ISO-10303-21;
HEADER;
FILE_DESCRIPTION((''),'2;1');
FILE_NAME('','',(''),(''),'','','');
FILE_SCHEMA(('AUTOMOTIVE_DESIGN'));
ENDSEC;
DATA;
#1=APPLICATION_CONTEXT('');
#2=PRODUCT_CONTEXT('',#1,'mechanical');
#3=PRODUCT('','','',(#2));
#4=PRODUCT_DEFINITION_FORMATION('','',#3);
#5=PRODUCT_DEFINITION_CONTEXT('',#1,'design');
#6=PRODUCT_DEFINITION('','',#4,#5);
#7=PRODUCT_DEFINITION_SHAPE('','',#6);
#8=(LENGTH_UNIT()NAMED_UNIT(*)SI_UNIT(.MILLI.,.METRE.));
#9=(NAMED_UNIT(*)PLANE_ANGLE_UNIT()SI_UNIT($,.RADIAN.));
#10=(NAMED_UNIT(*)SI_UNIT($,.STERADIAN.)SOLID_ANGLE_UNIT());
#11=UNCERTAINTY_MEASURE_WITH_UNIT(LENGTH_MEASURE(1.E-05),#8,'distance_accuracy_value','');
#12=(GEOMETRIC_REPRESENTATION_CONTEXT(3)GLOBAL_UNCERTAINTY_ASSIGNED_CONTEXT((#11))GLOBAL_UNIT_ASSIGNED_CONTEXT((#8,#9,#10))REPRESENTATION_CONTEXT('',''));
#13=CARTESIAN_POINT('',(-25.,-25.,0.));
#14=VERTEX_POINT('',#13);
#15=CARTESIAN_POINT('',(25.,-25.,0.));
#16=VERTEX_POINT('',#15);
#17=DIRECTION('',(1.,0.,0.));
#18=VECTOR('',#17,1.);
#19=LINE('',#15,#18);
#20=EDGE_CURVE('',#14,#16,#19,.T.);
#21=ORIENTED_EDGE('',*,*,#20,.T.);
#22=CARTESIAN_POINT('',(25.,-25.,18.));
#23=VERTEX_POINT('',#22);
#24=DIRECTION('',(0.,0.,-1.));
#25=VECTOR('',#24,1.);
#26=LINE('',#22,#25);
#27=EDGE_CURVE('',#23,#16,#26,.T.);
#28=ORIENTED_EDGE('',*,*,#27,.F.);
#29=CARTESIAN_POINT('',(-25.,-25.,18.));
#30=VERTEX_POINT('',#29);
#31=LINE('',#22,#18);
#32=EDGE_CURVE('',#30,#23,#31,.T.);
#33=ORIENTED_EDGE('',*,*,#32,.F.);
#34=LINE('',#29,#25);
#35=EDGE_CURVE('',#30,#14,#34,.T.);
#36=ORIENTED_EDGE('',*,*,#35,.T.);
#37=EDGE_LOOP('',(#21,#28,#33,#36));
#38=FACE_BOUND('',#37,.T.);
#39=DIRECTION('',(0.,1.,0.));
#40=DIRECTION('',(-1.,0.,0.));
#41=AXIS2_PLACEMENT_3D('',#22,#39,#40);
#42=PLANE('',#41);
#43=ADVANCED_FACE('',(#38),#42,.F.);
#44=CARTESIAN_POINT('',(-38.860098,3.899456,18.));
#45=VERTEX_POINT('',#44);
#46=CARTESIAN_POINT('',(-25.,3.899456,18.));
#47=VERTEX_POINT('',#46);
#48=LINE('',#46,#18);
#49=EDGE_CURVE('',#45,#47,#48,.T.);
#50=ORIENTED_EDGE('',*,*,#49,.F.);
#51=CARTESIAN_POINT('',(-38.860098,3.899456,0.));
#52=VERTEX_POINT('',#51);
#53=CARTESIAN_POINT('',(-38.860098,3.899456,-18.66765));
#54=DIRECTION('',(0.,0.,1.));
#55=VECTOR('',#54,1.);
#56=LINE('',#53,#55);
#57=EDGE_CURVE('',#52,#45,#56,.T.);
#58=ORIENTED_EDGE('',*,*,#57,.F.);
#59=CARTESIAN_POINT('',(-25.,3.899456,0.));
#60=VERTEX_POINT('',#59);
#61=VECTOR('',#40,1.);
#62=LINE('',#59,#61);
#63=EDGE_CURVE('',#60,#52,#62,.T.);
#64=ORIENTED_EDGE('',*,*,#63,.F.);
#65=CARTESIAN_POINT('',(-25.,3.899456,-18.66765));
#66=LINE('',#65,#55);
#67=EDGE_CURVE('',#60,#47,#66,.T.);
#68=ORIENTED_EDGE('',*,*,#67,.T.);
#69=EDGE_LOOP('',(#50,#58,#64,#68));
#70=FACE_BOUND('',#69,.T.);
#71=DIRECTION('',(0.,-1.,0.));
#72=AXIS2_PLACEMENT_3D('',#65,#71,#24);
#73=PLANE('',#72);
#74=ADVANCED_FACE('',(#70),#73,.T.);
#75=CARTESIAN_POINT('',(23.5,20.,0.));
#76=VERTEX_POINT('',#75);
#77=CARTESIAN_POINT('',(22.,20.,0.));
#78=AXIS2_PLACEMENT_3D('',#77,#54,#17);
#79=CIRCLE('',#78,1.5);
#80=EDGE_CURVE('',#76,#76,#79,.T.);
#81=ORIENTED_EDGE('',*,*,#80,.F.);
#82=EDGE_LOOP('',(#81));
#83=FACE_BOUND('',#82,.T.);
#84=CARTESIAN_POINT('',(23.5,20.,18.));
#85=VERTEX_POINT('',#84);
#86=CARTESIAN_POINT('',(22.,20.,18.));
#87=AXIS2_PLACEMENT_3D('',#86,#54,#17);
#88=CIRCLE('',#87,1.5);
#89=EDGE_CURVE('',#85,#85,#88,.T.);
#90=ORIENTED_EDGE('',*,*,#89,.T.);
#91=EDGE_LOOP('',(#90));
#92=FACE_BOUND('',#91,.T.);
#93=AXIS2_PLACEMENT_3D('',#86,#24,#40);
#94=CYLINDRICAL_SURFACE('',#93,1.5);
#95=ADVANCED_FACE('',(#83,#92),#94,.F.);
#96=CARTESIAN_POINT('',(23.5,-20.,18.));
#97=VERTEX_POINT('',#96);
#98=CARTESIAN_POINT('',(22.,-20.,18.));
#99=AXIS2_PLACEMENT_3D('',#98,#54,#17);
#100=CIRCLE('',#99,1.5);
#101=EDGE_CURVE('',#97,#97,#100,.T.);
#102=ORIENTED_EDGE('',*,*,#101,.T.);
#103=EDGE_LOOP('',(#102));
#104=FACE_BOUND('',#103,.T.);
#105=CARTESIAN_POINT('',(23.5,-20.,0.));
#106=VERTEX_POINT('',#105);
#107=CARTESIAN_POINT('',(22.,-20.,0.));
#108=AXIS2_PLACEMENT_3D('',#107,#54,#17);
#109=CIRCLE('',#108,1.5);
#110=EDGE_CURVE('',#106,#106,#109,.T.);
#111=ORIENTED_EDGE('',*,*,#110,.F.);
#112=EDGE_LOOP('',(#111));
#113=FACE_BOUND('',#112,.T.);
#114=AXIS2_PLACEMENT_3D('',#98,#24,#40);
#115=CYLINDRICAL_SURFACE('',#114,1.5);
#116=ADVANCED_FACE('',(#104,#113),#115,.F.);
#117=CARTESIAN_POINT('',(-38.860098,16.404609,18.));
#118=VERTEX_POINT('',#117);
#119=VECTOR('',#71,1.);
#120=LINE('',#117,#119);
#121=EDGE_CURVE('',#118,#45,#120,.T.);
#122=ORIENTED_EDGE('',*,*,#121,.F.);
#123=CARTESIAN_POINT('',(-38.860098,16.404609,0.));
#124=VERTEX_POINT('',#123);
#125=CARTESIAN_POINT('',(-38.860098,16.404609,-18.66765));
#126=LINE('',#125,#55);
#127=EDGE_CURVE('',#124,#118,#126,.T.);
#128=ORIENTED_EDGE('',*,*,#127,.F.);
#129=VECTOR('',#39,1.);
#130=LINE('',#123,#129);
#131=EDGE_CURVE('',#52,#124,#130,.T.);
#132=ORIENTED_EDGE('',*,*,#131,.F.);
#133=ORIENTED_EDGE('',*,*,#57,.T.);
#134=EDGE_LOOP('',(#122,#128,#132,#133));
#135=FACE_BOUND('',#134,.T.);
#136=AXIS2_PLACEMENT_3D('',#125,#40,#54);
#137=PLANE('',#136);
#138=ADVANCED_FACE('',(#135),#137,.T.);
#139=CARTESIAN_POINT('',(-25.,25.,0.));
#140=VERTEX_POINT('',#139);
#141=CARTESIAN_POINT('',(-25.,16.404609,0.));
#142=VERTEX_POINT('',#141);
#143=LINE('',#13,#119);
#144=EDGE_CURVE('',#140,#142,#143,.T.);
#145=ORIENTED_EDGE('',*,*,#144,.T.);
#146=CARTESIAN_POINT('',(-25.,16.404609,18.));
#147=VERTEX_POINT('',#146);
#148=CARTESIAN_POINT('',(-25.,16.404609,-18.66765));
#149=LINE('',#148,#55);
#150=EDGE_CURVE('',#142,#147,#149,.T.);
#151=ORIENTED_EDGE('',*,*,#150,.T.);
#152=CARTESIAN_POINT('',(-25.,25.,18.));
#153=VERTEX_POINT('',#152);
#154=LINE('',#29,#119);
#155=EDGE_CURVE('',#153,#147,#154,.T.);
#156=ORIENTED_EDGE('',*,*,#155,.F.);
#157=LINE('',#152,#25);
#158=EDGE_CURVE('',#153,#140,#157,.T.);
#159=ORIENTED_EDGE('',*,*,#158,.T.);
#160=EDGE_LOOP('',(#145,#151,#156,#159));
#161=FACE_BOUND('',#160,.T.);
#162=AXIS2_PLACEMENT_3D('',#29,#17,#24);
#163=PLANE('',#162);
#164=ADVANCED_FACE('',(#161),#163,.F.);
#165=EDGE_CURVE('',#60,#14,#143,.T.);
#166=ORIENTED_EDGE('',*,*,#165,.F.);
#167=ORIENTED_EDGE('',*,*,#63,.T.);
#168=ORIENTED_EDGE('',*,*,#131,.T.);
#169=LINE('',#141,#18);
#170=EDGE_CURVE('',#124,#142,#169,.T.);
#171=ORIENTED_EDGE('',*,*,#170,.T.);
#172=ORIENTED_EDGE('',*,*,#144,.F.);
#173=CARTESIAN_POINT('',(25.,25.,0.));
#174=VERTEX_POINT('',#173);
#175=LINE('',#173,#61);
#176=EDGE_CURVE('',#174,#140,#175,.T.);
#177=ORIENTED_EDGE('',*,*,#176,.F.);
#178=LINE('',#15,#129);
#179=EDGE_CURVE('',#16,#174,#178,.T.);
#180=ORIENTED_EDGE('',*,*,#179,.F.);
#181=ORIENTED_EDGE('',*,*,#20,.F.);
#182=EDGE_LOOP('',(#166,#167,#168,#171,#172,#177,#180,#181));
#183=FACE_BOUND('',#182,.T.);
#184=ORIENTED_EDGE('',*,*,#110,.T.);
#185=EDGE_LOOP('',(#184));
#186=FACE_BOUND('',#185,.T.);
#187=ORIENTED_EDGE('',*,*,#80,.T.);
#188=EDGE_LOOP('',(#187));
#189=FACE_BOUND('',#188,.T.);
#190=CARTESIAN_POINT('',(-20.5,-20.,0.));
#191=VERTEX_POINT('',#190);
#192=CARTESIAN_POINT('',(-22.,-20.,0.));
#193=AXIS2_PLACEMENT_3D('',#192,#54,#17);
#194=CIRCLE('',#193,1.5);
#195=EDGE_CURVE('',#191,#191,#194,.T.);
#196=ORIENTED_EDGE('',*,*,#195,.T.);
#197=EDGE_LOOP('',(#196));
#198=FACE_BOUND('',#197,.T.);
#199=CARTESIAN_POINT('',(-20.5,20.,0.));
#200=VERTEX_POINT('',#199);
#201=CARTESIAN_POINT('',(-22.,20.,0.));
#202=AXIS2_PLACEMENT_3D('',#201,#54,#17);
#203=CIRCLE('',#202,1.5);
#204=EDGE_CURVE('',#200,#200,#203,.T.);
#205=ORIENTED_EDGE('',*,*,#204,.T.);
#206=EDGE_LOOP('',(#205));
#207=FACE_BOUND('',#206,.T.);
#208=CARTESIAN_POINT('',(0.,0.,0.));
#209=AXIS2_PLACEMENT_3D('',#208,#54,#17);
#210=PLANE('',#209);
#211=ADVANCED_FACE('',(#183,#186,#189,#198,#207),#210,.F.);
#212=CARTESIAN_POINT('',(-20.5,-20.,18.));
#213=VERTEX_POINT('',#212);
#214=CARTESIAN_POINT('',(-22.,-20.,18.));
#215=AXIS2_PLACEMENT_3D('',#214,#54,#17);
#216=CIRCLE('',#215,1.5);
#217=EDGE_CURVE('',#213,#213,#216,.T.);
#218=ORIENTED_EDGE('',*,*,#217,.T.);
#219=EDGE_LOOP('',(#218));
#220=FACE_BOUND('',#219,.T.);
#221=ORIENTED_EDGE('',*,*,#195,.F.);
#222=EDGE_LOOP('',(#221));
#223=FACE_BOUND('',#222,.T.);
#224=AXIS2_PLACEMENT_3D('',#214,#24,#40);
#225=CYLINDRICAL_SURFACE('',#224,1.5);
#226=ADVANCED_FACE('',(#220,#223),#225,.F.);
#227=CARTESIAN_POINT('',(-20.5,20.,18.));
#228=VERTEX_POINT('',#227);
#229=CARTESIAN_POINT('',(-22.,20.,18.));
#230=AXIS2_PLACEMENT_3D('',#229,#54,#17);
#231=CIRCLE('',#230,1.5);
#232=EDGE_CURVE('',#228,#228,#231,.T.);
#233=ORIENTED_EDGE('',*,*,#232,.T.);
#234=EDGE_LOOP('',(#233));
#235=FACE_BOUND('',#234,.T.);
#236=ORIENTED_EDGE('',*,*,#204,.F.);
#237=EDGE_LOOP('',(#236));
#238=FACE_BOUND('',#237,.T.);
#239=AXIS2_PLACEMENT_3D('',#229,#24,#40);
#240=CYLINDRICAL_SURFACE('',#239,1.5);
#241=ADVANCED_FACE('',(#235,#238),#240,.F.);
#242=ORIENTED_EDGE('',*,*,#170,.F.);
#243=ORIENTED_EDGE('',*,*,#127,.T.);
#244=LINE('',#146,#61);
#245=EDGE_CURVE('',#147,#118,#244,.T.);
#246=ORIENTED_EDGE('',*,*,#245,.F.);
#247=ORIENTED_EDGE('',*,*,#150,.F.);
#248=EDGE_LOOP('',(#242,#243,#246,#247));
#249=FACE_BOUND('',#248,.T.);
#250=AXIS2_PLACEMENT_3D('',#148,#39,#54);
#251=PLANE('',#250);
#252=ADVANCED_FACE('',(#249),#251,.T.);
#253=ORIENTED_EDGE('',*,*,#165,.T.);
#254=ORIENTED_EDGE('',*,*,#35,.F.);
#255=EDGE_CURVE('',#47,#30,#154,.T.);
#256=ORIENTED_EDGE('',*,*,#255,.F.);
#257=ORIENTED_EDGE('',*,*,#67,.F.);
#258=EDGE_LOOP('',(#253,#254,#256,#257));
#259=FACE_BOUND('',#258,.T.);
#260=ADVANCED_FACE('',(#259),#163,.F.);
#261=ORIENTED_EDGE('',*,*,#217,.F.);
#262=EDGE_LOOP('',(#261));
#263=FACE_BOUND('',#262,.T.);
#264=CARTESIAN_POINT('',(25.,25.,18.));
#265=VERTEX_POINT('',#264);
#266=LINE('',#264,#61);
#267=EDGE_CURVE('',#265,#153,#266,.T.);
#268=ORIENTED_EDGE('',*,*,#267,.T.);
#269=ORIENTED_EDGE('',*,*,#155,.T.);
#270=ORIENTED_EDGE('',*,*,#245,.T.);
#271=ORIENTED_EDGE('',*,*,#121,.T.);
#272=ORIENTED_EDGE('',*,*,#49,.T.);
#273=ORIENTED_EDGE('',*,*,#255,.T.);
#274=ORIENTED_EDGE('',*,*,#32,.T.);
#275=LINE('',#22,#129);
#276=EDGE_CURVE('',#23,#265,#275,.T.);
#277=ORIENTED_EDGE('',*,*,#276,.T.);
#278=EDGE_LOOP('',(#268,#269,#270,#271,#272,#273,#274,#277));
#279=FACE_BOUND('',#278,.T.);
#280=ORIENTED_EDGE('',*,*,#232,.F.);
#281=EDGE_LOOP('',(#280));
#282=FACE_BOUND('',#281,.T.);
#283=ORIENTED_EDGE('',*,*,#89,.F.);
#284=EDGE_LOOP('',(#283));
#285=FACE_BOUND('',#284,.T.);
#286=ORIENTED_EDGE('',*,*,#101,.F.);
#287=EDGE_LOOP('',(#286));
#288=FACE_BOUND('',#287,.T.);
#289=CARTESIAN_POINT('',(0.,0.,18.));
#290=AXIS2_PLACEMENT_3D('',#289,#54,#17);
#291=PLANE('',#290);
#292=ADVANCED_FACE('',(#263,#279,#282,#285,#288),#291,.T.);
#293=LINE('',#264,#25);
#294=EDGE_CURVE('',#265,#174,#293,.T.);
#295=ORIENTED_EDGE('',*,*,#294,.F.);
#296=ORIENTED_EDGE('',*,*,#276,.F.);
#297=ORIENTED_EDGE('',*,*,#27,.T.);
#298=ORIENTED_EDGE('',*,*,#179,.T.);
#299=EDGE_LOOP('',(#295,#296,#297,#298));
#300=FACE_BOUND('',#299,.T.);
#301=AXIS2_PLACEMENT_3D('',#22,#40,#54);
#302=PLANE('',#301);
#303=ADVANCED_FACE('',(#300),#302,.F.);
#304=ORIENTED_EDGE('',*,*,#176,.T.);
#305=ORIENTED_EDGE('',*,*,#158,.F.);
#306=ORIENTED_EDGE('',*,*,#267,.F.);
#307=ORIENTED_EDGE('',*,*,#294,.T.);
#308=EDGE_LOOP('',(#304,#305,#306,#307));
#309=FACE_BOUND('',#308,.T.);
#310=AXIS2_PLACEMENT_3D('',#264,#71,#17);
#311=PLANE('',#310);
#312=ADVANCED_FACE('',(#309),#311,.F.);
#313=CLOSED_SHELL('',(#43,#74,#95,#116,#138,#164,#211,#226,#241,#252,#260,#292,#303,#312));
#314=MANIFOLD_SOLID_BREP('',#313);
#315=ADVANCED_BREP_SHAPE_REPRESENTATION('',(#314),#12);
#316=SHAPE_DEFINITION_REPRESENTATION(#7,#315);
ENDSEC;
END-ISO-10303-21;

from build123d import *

# Parameters (mm, degrees)
SKETCH_1_W      = 50
SKETCH_1_H      = 50
SKETCH_1_R      = 1.5
EXTRUDE_1_DEPTH = 18
SKETCH_2_W      = 13.860098184
SKETCH_2_H      = 12.505152703
EXTRUDE_2_DEPTH = 18


with BuildPart() as part:
    # 草图1 → 凸台-拉伸1 (new body)
    with BuildSketch(Plane.XY):
        Rectangle(SKETCH_1_W, SKETCH_1_H)
        with Locations((-22, 20)):
            Circle(SKETCH_1_R, mode=Mode.SUBTRACT)
        with Locations((-22, -20)):
            Circle(SKETCH_1_R, mode=Mode.SUBTRACT)
        with Locations((22, 20)):
            Circle(SKETCH_1_R, mode=Mode.SUBTRACT)
        with Locations((22, -20)):
            Circle(SKETCH_1_R, mode=Mode.SUBTRACT)
    extrude(amount=EXTRUDE_1_DEPTH)

    # 草图2 → 凸台-拉伸2 (add)
    with BuildSketch(Plane.XY.offset(18)):
        with Locations((-31.930049092, 10.152032571)):
            Rectangle(SKETCH_2_W, SKETCH_2_H)
    extrude(amount=-EXTRUDE_2_DEPTH)


solid = part.part
